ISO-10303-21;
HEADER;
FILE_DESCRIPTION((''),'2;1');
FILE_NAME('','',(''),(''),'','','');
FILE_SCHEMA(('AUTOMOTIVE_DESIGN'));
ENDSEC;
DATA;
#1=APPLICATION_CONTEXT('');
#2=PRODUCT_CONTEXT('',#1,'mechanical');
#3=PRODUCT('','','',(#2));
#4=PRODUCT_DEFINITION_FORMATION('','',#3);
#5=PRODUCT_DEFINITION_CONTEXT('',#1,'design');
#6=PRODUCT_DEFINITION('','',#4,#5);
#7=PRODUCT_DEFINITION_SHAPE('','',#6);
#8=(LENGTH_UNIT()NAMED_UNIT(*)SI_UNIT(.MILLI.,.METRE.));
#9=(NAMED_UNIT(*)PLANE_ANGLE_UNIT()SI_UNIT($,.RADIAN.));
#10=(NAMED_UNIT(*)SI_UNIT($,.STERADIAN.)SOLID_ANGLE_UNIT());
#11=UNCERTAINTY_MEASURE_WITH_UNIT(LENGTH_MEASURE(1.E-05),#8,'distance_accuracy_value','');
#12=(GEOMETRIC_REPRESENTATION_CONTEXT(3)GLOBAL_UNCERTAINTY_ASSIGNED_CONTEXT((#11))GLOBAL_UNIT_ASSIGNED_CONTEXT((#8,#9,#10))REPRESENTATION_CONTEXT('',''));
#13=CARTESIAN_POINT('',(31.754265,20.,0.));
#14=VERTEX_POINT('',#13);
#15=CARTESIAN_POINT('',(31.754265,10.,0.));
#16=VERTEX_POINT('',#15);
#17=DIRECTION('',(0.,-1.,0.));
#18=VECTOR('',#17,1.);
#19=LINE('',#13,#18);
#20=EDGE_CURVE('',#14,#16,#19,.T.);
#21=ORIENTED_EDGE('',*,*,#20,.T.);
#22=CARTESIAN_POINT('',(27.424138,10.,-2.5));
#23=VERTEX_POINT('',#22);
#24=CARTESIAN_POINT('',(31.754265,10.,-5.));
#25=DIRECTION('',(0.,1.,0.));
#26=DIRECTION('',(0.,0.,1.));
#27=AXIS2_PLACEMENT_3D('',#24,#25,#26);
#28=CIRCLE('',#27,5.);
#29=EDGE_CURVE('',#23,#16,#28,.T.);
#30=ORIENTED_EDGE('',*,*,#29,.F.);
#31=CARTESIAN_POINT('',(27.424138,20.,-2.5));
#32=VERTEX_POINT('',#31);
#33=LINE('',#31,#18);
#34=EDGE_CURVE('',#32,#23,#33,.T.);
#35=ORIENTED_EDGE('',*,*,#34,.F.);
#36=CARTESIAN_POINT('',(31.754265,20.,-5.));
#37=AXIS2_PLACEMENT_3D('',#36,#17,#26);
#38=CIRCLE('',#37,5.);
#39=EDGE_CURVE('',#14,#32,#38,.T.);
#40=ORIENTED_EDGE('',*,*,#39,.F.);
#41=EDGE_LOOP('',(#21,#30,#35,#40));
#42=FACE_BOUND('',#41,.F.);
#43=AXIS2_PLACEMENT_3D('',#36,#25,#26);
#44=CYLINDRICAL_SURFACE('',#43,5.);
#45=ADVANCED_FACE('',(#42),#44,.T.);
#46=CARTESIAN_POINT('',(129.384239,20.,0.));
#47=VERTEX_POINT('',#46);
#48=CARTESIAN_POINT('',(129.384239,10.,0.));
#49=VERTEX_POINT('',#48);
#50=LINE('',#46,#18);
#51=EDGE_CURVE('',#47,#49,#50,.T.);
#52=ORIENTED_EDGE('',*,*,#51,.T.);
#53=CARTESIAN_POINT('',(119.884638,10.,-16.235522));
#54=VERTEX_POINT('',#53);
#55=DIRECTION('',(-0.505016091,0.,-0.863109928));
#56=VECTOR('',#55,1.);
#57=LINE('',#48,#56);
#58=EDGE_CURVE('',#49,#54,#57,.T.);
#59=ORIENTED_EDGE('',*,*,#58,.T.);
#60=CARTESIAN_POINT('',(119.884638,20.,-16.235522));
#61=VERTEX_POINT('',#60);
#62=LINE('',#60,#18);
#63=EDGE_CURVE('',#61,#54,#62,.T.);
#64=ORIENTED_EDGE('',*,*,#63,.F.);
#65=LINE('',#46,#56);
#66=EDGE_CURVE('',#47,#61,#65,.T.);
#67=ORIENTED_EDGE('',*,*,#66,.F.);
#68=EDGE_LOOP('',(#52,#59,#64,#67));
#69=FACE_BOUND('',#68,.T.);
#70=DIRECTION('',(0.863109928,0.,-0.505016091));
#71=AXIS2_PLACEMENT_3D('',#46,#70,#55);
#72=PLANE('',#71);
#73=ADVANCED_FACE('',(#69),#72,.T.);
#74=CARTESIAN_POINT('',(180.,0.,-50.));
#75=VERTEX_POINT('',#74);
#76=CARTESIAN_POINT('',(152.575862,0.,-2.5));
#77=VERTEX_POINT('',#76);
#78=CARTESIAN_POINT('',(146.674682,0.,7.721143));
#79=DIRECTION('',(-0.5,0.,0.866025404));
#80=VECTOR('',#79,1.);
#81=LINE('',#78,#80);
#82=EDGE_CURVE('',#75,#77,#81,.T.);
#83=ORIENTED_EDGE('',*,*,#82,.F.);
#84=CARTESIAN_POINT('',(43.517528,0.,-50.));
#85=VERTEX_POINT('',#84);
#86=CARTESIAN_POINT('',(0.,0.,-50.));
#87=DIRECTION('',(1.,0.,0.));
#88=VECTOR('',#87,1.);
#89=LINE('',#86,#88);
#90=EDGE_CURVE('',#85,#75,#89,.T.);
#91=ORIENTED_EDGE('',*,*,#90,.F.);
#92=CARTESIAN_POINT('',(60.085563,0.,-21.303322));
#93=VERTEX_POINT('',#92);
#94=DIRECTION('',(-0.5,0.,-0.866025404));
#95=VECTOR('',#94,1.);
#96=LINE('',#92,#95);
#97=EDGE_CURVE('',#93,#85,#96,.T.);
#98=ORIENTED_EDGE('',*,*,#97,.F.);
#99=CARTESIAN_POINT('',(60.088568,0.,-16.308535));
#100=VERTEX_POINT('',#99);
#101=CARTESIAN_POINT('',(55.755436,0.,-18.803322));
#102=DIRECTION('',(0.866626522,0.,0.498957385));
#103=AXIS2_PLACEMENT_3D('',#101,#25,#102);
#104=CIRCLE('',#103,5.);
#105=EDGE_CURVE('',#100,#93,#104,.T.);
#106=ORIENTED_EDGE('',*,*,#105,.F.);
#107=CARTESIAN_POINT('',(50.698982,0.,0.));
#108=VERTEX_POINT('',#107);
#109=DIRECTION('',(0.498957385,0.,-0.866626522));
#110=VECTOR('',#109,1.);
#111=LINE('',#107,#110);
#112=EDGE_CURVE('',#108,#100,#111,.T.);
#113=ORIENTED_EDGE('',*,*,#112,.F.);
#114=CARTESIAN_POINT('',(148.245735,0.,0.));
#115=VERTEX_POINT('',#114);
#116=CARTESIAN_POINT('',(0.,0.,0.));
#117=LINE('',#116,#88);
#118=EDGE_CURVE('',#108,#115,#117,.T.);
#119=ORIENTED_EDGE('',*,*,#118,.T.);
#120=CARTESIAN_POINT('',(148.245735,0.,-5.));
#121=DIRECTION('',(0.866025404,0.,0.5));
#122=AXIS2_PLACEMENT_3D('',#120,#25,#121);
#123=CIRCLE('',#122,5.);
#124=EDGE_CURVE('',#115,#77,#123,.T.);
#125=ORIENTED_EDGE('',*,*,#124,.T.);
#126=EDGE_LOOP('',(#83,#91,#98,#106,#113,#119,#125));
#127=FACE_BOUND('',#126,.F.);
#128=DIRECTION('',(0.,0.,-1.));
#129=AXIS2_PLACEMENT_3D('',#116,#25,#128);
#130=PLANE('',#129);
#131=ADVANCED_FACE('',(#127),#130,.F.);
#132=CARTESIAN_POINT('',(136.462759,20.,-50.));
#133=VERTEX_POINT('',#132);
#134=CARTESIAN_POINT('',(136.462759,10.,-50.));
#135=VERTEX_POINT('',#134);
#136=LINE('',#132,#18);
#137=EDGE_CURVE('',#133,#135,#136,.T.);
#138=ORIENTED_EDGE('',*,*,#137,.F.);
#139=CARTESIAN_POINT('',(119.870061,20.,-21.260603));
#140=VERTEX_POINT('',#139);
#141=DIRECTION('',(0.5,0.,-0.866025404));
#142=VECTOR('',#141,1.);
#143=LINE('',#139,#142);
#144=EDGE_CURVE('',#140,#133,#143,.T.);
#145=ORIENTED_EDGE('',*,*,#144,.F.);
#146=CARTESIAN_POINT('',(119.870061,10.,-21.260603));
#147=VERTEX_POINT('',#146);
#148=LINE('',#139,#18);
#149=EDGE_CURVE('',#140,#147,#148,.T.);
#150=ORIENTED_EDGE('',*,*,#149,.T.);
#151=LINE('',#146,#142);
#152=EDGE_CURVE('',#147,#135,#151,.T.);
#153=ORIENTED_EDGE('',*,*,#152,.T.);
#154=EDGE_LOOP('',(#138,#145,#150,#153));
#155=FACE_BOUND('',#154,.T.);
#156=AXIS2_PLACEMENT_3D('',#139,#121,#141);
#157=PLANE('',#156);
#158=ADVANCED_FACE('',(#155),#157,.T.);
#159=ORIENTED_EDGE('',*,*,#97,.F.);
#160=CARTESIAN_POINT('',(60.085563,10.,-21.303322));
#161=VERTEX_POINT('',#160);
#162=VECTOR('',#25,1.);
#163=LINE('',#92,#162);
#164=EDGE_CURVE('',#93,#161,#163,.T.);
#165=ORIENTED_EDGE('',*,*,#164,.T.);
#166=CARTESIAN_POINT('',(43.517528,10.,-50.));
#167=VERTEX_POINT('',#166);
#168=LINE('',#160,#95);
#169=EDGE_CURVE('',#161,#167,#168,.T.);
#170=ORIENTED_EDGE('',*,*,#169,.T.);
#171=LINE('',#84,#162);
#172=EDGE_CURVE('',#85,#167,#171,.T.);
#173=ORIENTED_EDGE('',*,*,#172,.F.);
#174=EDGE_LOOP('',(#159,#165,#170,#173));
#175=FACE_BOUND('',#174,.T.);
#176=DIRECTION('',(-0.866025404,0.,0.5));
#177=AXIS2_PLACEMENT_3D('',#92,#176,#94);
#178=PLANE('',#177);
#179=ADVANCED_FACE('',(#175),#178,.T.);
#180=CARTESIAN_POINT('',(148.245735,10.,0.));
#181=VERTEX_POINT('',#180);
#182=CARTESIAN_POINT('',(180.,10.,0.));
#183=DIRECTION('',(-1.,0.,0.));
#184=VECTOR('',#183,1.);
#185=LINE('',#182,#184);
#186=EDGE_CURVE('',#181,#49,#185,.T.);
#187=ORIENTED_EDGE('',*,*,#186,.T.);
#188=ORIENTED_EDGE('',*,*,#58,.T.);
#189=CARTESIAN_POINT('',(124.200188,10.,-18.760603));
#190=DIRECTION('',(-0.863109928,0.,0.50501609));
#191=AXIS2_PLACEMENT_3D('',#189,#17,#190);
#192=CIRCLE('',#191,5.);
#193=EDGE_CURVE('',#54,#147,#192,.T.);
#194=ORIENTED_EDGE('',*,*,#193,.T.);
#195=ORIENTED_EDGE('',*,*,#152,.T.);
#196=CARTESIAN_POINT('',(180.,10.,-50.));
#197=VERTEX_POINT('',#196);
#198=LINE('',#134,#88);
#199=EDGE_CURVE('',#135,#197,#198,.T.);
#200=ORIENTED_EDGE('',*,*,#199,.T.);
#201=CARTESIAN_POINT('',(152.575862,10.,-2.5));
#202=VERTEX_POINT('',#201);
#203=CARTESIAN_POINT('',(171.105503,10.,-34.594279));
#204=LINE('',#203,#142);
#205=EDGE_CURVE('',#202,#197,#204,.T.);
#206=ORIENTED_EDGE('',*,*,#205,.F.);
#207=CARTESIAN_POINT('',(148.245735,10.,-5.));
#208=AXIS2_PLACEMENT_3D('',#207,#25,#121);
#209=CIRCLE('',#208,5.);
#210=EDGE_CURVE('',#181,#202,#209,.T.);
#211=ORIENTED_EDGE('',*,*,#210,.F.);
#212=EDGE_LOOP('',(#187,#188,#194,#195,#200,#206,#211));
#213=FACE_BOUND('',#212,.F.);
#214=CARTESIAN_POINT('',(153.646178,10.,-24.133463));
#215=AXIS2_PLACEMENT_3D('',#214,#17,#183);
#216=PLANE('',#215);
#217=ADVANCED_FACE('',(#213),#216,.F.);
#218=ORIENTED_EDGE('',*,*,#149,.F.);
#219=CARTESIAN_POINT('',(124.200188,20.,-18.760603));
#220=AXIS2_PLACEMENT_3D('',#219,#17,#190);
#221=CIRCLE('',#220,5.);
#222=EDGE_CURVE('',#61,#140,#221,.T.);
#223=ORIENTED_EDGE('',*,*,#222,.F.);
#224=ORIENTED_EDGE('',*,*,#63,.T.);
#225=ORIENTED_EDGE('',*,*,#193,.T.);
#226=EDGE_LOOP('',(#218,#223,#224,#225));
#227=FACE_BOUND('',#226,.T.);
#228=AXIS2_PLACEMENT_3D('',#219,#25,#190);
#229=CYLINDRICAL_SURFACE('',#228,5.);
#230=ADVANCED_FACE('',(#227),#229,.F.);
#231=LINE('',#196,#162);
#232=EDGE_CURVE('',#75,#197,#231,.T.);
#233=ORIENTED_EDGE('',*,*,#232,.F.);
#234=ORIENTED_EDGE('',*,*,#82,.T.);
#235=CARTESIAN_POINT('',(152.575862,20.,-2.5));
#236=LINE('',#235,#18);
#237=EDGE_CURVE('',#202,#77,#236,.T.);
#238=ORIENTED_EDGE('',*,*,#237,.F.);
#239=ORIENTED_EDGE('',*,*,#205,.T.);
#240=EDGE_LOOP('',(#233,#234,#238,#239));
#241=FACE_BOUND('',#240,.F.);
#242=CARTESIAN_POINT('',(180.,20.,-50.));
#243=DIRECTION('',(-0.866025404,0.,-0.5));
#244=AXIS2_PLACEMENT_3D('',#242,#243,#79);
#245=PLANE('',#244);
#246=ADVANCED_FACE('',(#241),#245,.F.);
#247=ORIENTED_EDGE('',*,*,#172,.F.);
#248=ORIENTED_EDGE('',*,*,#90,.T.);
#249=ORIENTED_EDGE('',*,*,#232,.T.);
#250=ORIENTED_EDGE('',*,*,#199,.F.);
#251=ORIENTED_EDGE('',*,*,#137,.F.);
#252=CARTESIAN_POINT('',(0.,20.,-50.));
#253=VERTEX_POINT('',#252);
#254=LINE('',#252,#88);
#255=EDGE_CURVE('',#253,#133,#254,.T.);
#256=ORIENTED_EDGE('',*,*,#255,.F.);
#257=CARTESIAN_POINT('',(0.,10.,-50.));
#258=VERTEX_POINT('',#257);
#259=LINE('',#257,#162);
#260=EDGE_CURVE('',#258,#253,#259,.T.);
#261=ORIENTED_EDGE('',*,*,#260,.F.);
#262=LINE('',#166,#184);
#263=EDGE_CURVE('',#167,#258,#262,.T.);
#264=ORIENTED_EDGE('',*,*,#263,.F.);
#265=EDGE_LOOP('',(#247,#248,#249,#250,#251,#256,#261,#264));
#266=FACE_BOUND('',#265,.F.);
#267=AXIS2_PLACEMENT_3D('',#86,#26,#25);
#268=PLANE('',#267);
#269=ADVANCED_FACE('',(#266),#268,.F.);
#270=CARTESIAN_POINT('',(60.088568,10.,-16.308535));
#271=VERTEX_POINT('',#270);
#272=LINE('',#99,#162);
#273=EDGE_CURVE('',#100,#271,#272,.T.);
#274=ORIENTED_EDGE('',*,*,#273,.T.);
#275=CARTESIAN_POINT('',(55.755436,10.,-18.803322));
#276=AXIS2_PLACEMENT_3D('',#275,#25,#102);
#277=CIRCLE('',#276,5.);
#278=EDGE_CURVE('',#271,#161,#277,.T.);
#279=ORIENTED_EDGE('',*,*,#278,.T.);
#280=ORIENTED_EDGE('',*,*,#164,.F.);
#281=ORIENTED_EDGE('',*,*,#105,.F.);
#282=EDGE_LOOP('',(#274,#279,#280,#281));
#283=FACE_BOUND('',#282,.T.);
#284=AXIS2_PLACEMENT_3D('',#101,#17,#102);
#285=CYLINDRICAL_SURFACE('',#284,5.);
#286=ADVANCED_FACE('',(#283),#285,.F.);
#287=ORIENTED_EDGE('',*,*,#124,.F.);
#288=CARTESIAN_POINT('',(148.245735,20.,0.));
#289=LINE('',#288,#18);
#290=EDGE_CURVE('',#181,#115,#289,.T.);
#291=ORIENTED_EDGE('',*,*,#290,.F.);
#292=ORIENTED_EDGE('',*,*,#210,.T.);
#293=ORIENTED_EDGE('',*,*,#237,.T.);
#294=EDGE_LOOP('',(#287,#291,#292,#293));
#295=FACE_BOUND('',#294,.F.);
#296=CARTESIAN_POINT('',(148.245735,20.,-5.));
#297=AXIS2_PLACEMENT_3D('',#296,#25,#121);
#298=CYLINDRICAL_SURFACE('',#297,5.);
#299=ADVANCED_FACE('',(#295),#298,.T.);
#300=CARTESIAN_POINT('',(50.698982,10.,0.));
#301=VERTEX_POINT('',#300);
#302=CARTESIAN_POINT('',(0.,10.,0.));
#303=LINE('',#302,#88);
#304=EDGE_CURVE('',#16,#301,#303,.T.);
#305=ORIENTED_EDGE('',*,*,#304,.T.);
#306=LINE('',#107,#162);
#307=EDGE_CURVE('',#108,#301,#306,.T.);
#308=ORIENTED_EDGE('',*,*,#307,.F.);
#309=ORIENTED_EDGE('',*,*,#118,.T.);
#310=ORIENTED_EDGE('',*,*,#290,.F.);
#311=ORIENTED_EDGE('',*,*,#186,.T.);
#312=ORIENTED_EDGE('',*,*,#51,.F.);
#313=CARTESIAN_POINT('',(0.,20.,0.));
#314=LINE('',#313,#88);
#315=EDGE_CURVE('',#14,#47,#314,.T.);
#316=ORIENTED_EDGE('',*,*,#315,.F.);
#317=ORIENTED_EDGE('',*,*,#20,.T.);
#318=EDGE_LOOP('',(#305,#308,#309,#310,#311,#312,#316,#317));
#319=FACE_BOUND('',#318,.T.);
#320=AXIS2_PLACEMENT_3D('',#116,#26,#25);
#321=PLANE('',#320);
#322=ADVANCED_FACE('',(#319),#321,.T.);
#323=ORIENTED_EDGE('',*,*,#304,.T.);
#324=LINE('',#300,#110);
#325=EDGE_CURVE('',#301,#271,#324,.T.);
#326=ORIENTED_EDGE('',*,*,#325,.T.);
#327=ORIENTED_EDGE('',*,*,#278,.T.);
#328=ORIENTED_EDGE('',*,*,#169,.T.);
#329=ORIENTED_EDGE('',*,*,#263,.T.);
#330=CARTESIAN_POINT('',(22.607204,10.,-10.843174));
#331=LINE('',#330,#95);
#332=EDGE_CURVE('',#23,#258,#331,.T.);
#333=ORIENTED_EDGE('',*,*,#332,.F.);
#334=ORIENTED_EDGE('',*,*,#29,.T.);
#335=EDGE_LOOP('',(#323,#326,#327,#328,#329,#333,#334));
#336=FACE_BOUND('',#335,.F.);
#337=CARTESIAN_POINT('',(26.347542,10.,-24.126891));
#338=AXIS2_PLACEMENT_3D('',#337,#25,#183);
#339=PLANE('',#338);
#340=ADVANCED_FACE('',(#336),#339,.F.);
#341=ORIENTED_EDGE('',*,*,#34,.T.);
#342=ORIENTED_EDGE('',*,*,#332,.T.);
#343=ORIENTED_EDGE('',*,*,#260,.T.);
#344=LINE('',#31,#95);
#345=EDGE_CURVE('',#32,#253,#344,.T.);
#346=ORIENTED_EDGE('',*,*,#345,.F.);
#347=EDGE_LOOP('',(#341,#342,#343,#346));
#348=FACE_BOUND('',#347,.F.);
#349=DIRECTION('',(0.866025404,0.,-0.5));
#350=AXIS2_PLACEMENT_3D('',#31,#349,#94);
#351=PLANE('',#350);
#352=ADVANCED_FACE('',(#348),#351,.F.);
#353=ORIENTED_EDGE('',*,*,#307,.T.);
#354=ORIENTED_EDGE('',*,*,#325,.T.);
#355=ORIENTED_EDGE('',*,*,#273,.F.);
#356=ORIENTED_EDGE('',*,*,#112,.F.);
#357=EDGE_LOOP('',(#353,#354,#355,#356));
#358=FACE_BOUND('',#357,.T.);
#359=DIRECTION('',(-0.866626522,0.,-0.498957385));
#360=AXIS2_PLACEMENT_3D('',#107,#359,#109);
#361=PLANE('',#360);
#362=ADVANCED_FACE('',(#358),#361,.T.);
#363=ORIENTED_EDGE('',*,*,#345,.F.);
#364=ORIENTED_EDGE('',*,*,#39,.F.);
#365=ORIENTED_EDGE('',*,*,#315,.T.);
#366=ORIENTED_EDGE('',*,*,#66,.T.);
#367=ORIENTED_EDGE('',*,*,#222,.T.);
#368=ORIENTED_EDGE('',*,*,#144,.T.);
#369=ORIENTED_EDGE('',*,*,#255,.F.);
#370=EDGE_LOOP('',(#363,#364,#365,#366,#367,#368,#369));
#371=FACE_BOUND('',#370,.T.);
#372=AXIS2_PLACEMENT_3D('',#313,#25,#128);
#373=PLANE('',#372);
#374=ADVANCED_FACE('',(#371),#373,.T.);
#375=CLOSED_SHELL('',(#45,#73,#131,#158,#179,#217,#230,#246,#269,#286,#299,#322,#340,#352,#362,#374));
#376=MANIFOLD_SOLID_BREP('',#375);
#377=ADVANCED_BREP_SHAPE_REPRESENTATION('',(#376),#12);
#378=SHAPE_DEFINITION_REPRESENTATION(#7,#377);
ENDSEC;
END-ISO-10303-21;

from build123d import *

# Parameters (mm, degrees)
SKETCH_1_W          = 50
SKETCH_1_H          = 20
EXTRUDE_1_DEPTH     = 180
CUT_EXTRUDE_1_DEPTH = 10
CUT_EXTRUDE_2_DEPTH = 10
SKETCH_4_OUTSIDE_W  = 219.576
SKETCH_4_OUTSIDE_H  = 89.576
CUT_EXTRUDE_4_DEPTH = 21


with BuildPart() as part:
    # Эскиз1 → Бобышка-Вытянуть1 (new body)
    with BuildSketch(Plane(origin=(0, 0, 0), x_dir=(0, 0, -1), z_dir=(1, 0, 0))):
        with Locations((25, 10)):
            Rectangle(SKETCH_1_W, SKETCH_1_H)
    extrude(amount=EXTRUDE_1_DEPTH)

    # Эскиз2 → Вырез-Вытянуть1 (cut)
    with BuildSketch(Plane.XZ):
        with BuildLine():
            Line((43.517527849, -50), (0, -50))
            Line((0, -50), (0, 0))
            Line((0, 0), (50.69898236, 0))
            Line((50.69898236, 0), (60.088568146, -16.308535178))
            ThreePointArc((60.088568146, -16.308535178), (60.755434633, -18.806330829), (60.085562557, -21.303322104))
            Line((60.085562557, -21.303322104), (43.517527849, -50))
        make_face()
    extrude(amount=-CUT_EXTRUDE_1_DEPTH, mode=Mode.SUBTRACT)

    # Эскиз3 → Вырез-Вытянуть2 (cut)
    with BuildSketch(Plane(origin=(0, 20, 0), x_dir=(1, 0, 0), z_dir=(0, 1, 0))):
        with BuildLine():
            Line((119.870060572, 21.260602823), (136.462759268, 50))
            Line((136.462759268, 50), (180, 50))
            Line((180, 50), (180, 0))
            Line((180, 0), (129.384239064, 0))
            Line((129.384239064, 0), (119.884637949, 16.23552237))
            ThreePointArc((119.884637949, 16.23552237), (119.200208629, 18.746098263), (119.870060572, 21.260602823))
        make_face()
    extrude(amount=-CUT_EXTRUDE_2_DEPTH, mode=Mode.SUBTRACT)

    # Эскиз4 outside → Вырез-Вытянуть4 (cut, through all)
    with BuildSketch(Plane(origin=(0, 20, 0), x_dir=(1, 0, 0), z_dir=(0, 1, 0))):
        with Locations((90, 25)):
            Rectangle(SKETCH_4_OUTSIDE_W, SKETCH_4_OUTSIDE_H)
        with BuildLine():
            Line((180, 50), (152.575862213, 2.5))
            ThreePointArc((152.575862213, 2.5), (150.745735195, 0.669872981), (148.245735195, 0))
            Line((148.245735195, 0), (31.754264805, 0))
            ThreePointArc((31.754264805, 0), (29.254264805, 0.669872981), (27.424137787, 2.5))
            Line((27.424137787, 2.5), (0, 50))
            Line((0, 50), (180, 50))
        make_face(mode=Mode.SUBTRACT)
    extrude(amount=-CUT_EXTRUDE_4_DEPTH, mode=Mode.SUBTRACT)


solid = part.part
